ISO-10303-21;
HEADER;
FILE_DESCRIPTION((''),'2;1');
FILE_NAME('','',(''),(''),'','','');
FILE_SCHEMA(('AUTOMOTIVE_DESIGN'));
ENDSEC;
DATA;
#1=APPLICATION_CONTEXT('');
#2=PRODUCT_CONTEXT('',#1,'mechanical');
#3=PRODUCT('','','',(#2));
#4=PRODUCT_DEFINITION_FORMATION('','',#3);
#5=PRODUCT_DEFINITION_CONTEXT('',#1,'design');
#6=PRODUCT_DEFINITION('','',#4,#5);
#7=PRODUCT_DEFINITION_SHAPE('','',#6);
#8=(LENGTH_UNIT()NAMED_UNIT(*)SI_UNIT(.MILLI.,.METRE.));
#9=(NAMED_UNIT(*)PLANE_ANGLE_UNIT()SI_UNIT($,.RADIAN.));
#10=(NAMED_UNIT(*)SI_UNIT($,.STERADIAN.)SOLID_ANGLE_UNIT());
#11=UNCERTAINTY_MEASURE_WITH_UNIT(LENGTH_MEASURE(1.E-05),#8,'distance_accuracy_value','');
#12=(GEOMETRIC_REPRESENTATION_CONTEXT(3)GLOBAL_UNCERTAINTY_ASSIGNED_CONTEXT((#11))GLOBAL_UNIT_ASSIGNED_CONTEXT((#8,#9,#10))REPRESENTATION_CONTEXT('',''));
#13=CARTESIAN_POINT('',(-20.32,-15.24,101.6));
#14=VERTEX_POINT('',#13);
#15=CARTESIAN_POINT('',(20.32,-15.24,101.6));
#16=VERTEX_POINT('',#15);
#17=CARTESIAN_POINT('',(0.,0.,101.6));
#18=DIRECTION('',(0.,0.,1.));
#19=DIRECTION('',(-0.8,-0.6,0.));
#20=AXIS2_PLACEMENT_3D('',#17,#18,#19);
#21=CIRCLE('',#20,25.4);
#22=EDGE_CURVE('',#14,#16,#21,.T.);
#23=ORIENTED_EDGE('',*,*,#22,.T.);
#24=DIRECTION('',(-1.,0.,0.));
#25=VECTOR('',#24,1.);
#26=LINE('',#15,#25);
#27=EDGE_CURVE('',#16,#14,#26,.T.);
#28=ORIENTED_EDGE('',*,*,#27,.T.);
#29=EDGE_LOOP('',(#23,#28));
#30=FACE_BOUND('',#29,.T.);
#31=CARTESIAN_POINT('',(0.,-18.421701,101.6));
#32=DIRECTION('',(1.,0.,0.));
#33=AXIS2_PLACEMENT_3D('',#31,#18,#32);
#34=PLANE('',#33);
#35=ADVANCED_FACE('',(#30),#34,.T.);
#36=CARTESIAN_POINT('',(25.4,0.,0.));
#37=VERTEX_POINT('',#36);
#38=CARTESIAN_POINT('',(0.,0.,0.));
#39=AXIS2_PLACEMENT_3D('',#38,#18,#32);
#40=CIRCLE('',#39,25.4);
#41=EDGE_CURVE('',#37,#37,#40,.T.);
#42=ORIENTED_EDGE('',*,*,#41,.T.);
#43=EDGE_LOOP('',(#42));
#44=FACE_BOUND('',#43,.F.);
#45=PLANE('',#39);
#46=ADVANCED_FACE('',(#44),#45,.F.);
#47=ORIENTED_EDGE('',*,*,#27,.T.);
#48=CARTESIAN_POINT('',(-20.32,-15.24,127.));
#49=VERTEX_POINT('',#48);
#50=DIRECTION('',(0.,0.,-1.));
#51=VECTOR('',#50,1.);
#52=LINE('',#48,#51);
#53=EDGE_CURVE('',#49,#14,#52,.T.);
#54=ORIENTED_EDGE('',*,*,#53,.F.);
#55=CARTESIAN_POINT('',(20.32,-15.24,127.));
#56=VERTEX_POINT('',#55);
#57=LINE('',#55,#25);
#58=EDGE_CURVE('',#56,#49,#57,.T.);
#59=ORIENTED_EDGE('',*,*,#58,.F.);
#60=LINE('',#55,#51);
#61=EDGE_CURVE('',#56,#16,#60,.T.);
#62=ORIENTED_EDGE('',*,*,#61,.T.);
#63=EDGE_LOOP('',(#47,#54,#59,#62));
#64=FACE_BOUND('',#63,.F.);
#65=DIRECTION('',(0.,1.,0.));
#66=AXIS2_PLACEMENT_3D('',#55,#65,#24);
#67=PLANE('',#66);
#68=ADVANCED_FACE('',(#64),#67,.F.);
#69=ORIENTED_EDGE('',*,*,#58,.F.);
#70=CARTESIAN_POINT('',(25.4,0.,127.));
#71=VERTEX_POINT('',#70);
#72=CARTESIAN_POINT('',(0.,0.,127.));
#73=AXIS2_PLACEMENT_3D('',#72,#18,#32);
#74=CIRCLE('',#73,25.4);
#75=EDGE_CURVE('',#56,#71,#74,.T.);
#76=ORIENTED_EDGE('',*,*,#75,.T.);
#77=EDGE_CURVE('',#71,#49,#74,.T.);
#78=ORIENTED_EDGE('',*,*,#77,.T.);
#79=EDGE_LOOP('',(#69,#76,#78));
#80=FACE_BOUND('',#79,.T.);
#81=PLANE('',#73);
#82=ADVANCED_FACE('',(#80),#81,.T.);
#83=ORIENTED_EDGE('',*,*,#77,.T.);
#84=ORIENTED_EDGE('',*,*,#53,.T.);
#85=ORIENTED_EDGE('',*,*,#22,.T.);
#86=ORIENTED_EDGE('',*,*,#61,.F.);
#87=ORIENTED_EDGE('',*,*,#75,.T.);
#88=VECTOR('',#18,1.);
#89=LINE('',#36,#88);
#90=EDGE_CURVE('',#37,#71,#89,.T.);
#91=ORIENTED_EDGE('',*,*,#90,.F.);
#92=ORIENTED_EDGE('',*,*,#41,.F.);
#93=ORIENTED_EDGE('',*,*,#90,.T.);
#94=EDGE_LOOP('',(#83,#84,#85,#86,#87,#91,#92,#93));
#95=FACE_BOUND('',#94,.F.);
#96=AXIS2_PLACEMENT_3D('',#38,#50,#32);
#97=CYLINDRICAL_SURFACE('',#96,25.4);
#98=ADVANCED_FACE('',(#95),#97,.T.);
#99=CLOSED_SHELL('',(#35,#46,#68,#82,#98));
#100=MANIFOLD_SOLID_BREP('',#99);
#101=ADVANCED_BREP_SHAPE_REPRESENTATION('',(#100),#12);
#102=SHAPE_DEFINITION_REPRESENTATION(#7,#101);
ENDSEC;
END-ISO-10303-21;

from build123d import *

# Parameters (mm, degrees)
F0_R     = 25.4
F1_DEPTH = 127
F3_DEPTH = 25.4


with BuildPart() as f1:
    # F0 (on Top) → F1 (new body)
    with BuildSketch(Plane.XY):
        Circle(F0_R)
    extrude(amount=F1_DEPTH)

    # F2 (on face) → F3 (cut)
    with BuildSketch(Plane.XY.offset(127)):
        with BuildLine():
            Line((20.32, -15.24), (0, -15.24))
            Line((0, -15.24), (-20.32, -15.24))
            ThreePointArc((-20.32, -15.24), (0, -25.4), (20.32, -15.24))
        make_face()
    extrude(amount=-F3_DEPTH, mode=Mode.SUBTRACT)


solid = f1.part
